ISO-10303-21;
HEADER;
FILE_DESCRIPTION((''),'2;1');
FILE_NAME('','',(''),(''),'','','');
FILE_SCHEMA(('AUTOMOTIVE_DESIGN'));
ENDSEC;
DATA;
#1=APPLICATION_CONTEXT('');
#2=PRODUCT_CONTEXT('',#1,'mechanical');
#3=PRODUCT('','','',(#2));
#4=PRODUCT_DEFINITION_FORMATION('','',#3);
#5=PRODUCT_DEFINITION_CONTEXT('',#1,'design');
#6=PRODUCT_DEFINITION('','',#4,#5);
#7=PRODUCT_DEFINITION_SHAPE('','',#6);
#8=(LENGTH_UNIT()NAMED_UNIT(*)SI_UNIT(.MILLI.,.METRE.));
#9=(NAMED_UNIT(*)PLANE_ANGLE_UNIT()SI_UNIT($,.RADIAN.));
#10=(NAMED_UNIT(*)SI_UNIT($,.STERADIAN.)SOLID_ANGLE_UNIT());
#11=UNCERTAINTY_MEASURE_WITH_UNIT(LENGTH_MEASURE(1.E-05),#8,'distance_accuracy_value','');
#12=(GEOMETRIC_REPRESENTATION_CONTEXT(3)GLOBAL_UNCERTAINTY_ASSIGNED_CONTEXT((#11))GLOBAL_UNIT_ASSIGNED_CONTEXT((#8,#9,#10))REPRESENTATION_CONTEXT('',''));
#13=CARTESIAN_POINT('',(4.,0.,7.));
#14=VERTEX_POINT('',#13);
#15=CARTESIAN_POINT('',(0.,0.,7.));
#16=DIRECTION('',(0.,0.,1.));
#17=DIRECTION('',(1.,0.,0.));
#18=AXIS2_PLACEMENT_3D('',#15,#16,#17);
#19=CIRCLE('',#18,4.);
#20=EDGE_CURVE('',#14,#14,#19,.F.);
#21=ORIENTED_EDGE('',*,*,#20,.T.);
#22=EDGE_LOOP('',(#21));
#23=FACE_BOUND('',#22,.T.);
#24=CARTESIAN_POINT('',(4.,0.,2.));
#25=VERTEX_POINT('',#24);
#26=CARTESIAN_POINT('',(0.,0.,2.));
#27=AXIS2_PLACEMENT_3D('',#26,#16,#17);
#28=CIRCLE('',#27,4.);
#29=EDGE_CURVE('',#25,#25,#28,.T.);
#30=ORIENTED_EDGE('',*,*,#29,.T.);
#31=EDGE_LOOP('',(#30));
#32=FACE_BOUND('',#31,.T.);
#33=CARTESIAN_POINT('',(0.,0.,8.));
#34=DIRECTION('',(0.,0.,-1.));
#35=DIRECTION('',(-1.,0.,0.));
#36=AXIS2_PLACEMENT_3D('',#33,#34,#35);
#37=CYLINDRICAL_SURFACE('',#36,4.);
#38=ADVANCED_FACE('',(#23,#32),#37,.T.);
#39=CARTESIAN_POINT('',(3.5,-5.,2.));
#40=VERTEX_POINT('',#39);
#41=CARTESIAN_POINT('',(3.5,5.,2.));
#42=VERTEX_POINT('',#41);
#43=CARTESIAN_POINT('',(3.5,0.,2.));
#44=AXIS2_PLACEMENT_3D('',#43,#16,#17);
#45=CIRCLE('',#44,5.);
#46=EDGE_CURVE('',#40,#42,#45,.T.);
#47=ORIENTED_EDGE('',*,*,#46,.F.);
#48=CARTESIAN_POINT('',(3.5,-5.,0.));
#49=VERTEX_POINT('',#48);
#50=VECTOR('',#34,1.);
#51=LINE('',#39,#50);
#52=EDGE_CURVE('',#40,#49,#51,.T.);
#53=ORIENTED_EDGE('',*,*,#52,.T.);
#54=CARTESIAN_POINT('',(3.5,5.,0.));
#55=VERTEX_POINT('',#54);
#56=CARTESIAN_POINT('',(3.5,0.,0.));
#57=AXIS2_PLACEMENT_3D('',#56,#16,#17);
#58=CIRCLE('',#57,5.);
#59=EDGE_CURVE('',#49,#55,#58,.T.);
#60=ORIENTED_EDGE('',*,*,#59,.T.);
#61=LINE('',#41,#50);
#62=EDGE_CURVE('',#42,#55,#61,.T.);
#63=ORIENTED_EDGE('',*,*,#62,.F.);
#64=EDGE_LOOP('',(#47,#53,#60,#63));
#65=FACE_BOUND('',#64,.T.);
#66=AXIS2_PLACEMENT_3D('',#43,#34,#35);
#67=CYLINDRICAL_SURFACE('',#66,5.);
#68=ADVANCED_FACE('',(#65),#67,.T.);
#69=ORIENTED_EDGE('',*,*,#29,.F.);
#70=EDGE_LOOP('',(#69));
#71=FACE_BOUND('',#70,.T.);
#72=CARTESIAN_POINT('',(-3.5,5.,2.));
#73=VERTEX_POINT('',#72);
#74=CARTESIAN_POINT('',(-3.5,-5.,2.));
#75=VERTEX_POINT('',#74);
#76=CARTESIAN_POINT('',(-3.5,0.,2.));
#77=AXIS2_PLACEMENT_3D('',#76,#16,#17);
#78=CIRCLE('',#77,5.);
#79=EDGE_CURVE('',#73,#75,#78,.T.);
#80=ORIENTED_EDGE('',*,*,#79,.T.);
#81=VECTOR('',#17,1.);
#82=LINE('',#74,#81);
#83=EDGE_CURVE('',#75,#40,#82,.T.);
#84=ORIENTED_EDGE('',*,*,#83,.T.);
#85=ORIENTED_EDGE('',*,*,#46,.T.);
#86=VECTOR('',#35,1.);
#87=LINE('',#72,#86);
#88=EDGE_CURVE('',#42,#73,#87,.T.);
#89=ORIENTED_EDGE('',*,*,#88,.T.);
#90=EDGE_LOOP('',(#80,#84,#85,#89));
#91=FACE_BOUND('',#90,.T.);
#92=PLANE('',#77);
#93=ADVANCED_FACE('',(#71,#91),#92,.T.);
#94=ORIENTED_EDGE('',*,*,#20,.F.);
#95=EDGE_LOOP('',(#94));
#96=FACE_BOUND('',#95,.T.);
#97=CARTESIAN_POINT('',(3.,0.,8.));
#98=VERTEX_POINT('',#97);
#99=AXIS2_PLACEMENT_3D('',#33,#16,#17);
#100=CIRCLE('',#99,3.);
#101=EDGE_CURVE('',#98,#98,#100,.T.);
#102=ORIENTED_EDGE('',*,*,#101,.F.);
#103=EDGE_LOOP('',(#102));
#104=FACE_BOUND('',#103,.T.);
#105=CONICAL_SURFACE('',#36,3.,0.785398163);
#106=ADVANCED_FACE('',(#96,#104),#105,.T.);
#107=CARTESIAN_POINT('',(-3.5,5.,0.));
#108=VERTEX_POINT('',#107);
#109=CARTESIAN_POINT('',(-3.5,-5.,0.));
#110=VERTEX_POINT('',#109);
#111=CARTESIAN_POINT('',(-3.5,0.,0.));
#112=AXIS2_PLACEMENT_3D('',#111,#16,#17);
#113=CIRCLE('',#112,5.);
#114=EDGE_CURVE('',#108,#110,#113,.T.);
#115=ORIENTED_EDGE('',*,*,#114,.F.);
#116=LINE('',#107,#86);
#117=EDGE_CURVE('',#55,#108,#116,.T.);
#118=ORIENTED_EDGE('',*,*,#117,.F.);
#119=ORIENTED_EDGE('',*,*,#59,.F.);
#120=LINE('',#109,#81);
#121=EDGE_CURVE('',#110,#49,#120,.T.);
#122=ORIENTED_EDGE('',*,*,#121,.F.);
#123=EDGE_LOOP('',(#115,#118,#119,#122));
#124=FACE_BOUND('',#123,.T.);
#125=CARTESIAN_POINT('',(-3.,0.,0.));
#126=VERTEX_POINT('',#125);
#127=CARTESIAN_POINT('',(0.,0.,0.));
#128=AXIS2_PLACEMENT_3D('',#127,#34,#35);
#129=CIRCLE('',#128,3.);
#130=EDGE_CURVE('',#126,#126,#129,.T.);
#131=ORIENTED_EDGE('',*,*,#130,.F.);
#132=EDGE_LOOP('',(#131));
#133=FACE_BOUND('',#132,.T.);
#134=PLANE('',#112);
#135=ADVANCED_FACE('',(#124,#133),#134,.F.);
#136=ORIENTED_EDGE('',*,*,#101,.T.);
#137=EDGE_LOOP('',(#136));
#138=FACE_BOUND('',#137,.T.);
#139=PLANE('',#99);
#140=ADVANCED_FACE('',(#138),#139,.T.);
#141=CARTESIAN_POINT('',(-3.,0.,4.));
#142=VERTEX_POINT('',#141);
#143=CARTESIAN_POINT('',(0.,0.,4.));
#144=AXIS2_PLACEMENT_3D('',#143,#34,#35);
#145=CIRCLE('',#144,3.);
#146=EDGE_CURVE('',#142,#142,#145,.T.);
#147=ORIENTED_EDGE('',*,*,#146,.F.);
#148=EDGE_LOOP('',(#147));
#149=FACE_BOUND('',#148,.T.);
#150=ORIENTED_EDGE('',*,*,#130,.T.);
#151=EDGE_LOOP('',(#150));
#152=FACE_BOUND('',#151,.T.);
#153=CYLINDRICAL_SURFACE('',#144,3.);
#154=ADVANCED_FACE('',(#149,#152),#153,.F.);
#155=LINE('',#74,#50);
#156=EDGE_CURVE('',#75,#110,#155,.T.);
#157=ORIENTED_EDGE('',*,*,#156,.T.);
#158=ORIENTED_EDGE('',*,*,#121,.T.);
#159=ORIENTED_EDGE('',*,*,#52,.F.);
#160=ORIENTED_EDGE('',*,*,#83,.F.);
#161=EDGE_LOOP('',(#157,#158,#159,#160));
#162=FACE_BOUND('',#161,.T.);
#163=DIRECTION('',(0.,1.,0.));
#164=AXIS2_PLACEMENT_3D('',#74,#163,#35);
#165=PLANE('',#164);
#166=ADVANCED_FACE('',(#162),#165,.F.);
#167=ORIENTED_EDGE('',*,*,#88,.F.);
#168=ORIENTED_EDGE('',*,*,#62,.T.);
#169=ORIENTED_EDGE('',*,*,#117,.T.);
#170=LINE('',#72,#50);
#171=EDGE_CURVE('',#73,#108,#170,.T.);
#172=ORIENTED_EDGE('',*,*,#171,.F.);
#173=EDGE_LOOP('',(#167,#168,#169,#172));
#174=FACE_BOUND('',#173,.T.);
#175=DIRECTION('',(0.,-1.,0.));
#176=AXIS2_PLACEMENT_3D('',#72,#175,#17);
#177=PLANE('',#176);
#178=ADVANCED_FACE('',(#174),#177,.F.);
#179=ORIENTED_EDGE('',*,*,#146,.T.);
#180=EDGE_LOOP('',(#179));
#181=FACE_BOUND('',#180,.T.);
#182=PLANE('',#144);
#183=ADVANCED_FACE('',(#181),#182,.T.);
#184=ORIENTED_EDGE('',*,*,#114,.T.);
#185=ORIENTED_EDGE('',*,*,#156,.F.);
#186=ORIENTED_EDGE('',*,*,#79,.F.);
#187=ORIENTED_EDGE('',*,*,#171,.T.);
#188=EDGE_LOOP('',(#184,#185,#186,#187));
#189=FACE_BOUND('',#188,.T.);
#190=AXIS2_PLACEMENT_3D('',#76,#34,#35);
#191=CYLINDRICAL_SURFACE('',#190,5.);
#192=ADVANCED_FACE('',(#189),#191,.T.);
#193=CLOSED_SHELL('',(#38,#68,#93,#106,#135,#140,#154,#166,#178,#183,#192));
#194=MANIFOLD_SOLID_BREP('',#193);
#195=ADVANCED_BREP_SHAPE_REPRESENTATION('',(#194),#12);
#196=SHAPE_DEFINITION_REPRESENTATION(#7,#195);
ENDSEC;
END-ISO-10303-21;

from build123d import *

# Parameters (mm, degrees)
EXTRUDE_1_DEPTH     = 2
SKETCH_2_R          = 4
EXTRUDE_2_DEPTH     = 6
SKETCH_3_R          = 3
CUT_EXTRUDE_1_DEPTH = 4
CHAMFER_1_SIZE      = 1


with BuildPart() as part:
    # Эскиз1 → Бобышка-Вытянуть1 (new body)
    with BuildSketch(Plane.XY):
        with BuildLine():
            Line((-3.5, 5), (3.5, 5))
            ThreePointArc((3.5, 5), (8.5, 0), (3.5, -5))
            Line((3.5, -5), (-3.5, -5))
            ThreePointArc((-3.5, -5), (-8.5, 0), (-3.5, 5))
        make_face()
    extrude(amount=EXTRUDE_1_DEPTH)

    # Эскиз2 → Бобышка-Вытянуть2 (add)
    with BuildSketch(Plane.XY.offset(2)):
        Circle(SKETCH_2_R)
    extrude(amount=EXTRUDE_2_DEPTH)

    # Эскиз3 → Вырез-Вытянуть1 (cut)
    with BuildSketch(Plane(origin=(0, 0, 0), x_dir=(-1, 0, 0), z_dir=(0, 0, -1))):
        Circle(SKETCH_3_R)
    extrude(amount=-CUT_EXTRUDE_1_DEPTH, mode=Mode.SUBTRACT)

    # Фаска1
    chamfer_1_edges = [part.edges().sort_by_distance(p)[0] for p in [
        (-4, 0, 8),
    ]]
    chamfer(chamfer_1_edges, length=CHAMFER_1_SIZE)


solid = part.part
